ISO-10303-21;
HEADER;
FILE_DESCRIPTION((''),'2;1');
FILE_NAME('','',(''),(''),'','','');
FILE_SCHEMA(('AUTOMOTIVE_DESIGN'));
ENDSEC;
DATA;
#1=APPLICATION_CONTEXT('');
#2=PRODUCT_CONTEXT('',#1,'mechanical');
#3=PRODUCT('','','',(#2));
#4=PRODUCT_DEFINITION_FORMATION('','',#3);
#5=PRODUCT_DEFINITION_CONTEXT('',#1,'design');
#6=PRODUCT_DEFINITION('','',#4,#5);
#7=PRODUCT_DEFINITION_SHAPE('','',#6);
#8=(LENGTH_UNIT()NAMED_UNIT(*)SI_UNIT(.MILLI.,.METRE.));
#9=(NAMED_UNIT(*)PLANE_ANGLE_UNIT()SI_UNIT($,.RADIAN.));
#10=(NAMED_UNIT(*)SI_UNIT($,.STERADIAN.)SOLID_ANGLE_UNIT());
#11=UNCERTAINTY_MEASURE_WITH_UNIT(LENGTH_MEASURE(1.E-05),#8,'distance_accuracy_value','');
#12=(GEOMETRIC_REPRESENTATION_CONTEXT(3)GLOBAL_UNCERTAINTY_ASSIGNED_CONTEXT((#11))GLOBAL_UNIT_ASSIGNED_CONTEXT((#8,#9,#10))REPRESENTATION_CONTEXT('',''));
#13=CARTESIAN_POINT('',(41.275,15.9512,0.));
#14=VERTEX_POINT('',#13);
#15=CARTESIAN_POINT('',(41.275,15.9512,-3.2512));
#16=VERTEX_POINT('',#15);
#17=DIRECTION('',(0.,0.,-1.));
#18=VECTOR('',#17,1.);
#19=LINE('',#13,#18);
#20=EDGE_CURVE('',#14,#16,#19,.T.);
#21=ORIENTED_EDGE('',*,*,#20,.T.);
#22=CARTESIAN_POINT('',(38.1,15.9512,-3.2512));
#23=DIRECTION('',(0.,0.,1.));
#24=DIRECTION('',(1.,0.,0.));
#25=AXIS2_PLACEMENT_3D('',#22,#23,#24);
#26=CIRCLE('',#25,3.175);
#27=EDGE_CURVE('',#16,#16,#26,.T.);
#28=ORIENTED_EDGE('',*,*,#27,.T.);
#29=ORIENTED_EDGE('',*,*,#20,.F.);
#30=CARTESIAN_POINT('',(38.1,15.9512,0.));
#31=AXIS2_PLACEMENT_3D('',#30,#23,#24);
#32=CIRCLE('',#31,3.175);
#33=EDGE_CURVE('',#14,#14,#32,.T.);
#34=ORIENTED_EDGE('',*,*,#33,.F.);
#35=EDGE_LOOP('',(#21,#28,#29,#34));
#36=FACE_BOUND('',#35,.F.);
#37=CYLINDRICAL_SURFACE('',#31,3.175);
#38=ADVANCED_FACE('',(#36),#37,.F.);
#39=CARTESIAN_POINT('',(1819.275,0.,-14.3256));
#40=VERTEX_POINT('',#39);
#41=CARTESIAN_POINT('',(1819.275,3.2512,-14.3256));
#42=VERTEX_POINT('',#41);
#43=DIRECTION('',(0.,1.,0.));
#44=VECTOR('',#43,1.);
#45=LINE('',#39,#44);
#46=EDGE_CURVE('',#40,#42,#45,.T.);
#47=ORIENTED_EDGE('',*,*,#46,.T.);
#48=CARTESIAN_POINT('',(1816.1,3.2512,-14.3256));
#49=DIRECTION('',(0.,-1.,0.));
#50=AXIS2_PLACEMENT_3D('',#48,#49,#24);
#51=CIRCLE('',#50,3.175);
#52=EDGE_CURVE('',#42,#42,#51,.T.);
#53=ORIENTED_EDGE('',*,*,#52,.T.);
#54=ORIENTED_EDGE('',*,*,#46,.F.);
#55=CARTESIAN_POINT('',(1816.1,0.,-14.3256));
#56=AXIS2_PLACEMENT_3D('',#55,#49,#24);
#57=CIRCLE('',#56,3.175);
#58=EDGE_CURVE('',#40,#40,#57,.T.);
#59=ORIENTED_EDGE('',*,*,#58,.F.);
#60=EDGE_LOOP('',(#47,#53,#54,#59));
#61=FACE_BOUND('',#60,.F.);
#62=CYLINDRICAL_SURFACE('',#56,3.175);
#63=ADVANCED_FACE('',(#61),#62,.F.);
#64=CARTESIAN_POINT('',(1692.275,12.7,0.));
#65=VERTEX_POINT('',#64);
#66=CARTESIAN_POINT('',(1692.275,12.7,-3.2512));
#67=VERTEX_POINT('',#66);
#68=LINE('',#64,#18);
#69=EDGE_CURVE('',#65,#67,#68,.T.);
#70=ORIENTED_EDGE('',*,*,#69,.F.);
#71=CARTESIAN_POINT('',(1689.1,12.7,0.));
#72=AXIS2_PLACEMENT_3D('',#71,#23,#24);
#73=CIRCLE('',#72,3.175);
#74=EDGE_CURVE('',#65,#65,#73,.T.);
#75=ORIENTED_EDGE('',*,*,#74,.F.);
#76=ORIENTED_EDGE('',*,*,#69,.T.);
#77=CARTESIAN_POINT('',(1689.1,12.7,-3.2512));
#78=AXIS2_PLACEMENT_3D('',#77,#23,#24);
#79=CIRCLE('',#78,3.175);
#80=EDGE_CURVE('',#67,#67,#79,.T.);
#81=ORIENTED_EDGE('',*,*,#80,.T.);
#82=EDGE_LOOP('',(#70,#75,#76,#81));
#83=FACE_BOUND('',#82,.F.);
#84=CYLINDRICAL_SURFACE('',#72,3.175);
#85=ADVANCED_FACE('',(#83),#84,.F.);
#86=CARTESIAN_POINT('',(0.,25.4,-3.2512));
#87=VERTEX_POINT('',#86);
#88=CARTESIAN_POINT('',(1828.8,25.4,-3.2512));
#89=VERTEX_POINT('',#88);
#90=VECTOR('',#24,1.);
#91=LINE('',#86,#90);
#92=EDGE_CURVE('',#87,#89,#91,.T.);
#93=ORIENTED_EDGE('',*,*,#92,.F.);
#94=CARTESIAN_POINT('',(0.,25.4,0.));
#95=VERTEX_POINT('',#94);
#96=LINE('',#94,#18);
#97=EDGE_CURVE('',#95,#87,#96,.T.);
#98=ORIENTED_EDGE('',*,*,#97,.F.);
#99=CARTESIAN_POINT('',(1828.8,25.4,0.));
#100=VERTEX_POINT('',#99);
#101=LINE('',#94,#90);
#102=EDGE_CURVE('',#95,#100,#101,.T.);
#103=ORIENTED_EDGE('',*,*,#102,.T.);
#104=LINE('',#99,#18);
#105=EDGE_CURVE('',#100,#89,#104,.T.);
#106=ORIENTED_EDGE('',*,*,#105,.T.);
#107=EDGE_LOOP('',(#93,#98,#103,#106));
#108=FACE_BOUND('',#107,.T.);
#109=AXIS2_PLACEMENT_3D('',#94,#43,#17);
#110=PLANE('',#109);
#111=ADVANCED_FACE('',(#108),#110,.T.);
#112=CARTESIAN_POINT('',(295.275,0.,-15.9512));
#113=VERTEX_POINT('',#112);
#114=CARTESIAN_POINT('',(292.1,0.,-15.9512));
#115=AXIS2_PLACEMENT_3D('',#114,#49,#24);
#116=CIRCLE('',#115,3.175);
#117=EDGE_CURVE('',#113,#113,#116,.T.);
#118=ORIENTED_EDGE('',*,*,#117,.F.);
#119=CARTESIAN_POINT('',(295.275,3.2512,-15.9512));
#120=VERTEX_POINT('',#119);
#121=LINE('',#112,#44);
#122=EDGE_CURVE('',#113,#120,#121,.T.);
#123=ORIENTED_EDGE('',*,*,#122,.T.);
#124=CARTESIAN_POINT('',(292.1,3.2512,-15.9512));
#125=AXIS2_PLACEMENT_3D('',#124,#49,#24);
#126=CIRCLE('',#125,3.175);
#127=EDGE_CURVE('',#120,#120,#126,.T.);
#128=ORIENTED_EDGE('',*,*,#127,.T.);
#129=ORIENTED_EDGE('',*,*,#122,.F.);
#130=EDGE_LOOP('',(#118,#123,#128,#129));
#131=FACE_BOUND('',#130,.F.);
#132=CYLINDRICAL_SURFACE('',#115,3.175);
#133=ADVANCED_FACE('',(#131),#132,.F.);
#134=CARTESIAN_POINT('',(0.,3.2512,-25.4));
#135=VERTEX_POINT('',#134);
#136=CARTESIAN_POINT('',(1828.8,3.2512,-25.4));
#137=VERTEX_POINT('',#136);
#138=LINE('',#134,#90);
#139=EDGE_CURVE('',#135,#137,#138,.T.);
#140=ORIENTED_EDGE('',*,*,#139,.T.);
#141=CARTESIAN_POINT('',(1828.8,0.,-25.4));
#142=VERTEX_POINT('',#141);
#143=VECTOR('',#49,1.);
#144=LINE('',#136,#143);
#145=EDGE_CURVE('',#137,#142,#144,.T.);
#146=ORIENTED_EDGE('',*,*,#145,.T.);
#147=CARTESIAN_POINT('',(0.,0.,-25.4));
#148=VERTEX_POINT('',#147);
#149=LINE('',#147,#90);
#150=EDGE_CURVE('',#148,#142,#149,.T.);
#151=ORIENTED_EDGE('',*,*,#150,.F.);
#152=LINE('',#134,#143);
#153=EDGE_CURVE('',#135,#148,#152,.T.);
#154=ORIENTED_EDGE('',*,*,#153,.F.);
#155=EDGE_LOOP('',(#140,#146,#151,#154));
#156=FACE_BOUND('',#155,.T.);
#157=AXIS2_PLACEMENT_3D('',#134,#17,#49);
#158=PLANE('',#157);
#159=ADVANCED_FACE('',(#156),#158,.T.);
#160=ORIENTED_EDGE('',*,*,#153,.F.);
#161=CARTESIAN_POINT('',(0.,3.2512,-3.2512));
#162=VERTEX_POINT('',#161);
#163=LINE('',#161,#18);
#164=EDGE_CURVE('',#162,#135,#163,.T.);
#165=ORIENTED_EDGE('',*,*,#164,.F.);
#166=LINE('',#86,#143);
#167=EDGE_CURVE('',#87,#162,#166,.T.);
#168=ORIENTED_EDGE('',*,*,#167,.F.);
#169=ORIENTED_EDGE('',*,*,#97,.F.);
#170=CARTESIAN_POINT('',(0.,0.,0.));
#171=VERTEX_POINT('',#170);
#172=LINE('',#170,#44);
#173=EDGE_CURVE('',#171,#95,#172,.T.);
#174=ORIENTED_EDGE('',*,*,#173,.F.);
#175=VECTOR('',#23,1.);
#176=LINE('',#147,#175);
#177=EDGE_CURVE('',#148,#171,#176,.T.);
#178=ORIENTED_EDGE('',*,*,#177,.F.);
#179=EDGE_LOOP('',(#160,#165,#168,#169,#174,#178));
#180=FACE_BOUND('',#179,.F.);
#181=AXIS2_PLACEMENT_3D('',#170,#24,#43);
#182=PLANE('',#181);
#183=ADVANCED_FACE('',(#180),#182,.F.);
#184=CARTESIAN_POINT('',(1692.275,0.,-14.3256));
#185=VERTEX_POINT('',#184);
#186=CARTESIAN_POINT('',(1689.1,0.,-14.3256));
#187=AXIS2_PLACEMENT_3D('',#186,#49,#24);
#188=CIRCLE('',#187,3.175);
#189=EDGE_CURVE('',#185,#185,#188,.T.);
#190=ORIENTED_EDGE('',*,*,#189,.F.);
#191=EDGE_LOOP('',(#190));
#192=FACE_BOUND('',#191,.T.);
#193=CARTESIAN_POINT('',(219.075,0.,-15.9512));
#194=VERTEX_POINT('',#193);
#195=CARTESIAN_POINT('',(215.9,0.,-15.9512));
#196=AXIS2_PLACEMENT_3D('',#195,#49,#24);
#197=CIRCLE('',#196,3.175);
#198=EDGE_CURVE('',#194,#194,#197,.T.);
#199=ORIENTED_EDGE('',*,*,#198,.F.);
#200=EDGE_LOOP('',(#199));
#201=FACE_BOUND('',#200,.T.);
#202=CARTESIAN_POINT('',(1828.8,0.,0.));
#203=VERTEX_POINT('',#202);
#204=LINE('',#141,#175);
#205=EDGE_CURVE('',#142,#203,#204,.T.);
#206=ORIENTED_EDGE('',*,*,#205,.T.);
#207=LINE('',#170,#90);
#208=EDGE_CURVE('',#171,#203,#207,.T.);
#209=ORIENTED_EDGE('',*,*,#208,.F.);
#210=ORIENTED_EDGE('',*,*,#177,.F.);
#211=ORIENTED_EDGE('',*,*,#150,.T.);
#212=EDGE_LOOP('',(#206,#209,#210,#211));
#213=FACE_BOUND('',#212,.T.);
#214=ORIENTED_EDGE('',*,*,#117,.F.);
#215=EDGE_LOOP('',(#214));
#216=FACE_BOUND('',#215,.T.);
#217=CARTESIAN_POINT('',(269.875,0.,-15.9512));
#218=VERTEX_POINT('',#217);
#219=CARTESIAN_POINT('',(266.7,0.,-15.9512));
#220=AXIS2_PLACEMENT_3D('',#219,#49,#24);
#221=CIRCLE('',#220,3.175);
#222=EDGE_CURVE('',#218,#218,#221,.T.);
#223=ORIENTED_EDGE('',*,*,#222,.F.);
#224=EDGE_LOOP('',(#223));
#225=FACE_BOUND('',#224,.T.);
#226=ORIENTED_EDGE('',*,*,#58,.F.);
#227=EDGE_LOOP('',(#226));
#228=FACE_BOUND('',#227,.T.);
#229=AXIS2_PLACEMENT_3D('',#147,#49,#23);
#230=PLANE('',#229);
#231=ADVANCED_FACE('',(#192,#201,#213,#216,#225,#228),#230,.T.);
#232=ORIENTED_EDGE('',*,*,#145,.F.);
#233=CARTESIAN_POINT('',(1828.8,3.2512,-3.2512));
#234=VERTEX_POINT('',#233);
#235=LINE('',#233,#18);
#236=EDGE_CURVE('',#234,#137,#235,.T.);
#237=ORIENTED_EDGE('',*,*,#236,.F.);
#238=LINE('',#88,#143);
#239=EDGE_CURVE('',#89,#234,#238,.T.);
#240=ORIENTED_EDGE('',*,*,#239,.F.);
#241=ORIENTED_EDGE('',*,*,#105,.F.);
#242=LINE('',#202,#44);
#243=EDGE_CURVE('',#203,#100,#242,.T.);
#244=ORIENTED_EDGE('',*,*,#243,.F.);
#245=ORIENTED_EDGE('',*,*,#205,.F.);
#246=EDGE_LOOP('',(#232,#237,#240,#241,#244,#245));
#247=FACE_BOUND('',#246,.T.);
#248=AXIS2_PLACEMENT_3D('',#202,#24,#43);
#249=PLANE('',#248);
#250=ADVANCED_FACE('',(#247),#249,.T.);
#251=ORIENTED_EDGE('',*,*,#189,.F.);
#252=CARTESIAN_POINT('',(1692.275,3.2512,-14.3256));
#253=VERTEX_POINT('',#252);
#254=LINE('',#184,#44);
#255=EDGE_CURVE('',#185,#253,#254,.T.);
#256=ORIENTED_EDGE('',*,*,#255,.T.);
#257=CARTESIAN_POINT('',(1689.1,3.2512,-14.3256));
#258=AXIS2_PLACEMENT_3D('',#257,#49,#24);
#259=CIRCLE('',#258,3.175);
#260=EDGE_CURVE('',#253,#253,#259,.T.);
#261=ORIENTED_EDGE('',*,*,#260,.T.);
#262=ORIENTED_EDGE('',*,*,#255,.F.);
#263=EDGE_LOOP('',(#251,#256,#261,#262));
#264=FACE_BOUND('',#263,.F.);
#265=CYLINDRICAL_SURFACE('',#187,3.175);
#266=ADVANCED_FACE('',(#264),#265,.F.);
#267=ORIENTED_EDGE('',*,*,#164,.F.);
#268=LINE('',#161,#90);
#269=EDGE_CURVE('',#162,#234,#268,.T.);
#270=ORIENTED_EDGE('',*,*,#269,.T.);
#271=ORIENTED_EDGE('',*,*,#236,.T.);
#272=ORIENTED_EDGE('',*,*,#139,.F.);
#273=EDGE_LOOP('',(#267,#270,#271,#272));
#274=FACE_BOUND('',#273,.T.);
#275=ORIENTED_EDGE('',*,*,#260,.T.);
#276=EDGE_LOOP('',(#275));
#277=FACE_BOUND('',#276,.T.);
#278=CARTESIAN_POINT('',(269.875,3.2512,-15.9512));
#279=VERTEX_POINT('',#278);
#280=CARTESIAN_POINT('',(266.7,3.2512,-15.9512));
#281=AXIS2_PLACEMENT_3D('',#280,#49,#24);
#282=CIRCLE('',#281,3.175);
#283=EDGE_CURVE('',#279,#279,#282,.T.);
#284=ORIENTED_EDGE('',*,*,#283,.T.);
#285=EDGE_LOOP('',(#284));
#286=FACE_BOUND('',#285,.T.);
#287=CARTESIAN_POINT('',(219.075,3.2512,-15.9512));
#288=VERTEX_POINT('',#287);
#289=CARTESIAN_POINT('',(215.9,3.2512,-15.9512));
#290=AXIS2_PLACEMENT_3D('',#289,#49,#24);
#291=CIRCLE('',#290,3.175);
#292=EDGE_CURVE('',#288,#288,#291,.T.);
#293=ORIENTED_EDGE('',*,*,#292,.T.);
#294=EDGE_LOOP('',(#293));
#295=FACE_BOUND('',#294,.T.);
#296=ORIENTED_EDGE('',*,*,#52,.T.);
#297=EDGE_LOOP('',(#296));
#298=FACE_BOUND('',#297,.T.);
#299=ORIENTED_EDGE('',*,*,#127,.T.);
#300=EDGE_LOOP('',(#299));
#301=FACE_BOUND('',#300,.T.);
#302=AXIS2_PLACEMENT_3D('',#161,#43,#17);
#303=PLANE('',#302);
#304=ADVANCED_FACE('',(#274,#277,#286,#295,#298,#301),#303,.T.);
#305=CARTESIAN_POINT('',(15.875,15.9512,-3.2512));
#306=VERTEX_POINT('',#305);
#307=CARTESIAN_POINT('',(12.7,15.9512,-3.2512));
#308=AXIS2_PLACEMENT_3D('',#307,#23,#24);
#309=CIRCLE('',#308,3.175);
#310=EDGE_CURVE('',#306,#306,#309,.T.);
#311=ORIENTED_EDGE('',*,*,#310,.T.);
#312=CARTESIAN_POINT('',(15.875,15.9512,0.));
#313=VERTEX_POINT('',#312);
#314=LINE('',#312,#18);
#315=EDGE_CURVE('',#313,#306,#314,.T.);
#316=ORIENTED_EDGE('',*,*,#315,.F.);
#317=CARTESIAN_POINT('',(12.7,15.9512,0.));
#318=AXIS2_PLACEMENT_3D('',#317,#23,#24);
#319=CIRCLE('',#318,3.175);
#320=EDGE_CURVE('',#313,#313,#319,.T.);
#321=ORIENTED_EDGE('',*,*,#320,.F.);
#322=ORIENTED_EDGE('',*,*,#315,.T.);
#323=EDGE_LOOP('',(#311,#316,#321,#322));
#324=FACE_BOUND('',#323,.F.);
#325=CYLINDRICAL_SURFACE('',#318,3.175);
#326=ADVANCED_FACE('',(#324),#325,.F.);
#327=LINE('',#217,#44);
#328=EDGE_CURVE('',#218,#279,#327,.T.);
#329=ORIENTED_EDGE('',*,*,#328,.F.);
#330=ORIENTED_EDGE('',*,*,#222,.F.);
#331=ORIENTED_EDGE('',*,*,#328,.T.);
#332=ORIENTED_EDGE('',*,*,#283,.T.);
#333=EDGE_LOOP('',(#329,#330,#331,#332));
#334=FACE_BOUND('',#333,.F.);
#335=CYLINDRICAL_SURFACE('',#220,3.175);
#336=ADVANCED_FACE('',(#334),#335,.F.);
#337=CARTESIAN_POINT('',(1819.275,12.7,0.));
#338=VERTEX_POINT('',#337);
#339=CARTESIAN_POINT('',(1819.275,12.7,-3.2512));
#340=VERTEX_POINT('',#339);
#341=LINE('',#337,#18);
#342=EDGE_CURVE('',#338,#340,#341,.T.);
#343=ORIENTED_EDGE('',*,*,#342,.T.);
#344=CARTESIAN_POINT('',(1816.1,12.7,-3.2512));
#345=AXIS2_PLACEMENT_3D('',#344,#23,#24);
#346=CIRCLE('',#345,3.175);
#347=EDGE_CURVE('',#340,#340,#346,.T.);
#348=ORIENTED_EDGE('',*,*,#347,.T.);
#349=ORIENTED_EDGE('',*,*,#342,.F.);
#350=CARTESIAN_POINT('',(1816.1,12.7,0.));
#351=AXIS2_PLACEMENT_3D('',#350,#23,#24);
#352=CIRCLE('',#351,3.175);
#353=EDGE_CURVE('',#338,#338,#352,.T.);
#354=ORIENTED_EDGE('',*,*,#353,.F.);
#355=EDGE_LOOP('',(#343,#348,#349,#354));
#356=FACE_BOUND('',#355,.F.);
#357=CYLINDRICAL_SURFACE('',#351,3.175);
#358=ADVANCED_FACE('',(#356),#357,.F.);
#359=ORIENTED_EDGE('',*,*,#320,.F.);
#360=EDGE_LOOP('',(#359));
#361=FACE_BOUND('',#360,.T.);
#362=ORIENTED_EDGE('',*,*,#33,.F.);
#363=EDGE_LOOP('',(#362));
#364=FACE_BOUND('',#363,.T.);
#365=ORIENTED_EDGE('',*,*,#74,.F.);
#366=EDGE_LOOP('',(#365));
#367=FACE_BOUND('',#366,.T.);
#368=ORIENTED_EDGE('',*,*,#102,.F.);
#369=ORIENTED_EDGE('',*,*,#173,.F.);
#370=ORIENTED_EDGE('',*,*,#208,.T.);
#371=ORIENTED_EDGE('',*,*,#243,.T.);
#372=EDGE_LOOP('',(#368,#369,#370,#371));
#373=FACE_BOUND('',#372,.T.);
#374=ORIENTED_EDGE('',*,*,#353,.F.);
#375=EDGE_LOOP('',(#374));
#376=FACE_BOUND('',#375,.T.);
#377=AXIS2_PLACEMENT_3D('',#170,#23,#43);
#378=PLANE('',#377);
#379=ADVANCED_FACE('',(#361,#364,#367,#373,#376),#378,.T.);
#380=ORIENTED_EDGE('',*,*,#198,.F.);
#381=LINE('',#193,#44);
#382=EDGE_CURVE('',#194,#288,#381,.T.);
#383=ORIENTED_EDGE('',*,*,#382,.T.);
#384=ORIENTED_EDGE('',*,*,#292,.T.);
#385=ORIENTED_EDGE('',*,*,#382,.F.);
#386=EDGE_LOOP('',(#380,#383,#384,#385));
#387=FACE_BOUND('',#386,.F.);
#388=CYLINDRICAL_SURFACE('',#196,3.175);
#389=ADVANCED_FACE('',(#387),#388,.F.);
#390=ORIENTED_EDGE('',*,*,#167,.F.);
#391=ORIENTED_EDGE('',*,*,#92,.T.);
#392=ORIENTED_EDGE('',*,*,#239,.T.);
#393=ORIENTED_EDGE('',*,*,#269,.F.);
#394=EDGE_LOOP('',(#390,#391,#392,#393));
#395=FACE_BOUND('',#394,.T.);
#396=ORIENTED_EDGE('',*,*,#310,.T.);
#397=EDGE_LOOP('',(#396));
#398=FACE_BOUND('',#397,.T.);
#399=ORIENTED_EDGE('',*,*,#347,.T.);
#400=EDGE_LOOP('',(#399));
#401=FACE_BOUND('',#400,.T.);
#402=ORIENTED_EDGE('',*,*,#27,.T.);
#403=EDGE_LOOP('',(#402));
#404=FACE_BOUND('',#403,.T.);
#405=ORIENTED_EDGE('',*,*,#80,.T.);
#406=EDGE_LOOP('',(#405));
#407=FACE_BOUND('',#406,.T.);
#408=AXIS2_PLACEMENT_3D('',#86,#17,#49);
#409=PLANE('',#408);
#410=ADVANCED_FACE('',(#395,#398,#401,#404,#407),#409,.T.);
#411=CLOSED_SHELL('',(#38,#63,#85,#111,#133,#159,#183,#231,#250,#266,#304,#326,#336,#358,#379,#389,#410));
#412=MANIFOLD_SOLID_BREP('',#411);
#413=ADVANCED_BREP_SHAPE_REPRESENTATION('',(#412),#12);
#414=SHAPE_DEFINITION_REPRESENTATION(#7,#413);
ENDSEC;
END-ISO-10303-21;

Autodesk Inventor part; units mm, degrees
ref_plane "YZ Plane" through (0, 0, 0) normal (1, 0, 0) x (0, 1, 0)
ref_plane "XZ Plane" through (0, 0, 0) normal (0, 1, 0) x (-1, 0, 0)
ref_plane "XY Plane" through (0, 0, 0) normal (0, 0, 1) x (1, 0, 0)
sketch "Sketch1" plane through (0, 0, 0) normal (1, 0, 0) x (0, 1, 0)
  line L0 (0, 0) -> (25.4, 0)
  line L1 (25.4, 0) -> (25.4, -3.2512)
  line L2 (3.2512, -25.4) -> (0, -25.4)
  line L3 (0, -25.4) -> (0, 0)
  line L4 (25.4, -3.2512) -> (3.2512, -3.2512)
  line L5 (3.2512, -3.2512) -> (3.2512, -25.4)
  dimension "d2" = 3.2512
  dimension "d3" = 3.2512
  dimension "d4" = 25.4
extrude "Extrusion1" add sketch "Sketch1" along normal blind 1828.8
sketch "Sketch2" plane through (0, 0, 0) normal (0, 0, 1) x (1, 0, 0)
  line L0 (0, 0) -> (0, 25.4) projected
  line L1 (2.7844, 15.9512) -> (73.6304, 15.9512) construction
  circle A0 centre (12.7, 15.9512) radius 3.175
  circle A1 centre (38.1, 15.9512) radius 3.175
  line L2 (0, 25.4) -> (1828.8, 25.4) projected
  line L3 (0, 0) -> (1828.8, 0) projected
  dimension "d7" = 6.35
  dimension "d8" = 12.7
  dimension "d9" = 38.1
  dimension "d20" = 15.9512
extrude "Extrusion2" cut sketch "Sketch2" against normal blind 1828.8
sketch "Sketch3" plane through (0, 0, -25.4) normal (0, -1, 0) x (1, 0, 0)
  line L0 (1.3644, 9.4488) -> (86.9618, 9.4488) construction
  circle A0 centre (266.7, 9.4488) radius 3.175
  circle A1 centre (292.1, 9.4488) radius 3.175
  line L1 (0, 25.4) -> (1828.8, 25.4) projected
  line L2 (0, 0) -> (0, 25.4) projected
  circle A2 centre (215.9, 9.4488) radius 3.175
  dimension "d12" = 6.35
  dimension "d17" = 15.9512
  dimension "d18" = 266.7
  dimension "d19" = 292.1
  dimension "d31" = 215.9
extrude "Extrusion3" cut sketch "Sketch3" against normal blind 1828.8
sketch "Sketch4" plane through (0, 0, 0) normal (0, 0, 1) x (1, 0, 0)
  line L0 (1828.8, 25.4) -> (1828.8, 0) projected
  line L1 (1828.8, 12.7) -> (1190.8061, 12.7) construction
  circle A0 centre (1816.1, 12.7) radius 3.175
  circle A1 centre (1689.1, 12.7) radius 3.175
  point P0 (0, 0)
  dimension "d21" = 6.35
  dimension "d22" = 12.7
  dimension "d23" = 139.7
extrude "Extrusion4" cut sketch "Sketch4" against normal blind 1828.8
sketch "Sketch5" plane through (0, 0, -25.4) normal (0, -1, 0) x (1, 0, 0)
  line L0 (1828.8, 0) -> (1828.8, 22.1488) projected
  line L1 (1828.8, 11.0744) -> (1744.1467, 11.0744) construction
  circle A0 centre (1689.1, 11.0744) radius 3.175
  circle A1 centre (1816.1, 11.0744) radius 3.175
  point P0 (0, 25.4)
  dimension "d26" = 6.35
  dimension "d27" = 12.7
  dimension "d28" = 139.7
extrude "Extrusion5" cut sketch "Sketch5" against normal blind 1828.8
properties part number "Lower Long L"
